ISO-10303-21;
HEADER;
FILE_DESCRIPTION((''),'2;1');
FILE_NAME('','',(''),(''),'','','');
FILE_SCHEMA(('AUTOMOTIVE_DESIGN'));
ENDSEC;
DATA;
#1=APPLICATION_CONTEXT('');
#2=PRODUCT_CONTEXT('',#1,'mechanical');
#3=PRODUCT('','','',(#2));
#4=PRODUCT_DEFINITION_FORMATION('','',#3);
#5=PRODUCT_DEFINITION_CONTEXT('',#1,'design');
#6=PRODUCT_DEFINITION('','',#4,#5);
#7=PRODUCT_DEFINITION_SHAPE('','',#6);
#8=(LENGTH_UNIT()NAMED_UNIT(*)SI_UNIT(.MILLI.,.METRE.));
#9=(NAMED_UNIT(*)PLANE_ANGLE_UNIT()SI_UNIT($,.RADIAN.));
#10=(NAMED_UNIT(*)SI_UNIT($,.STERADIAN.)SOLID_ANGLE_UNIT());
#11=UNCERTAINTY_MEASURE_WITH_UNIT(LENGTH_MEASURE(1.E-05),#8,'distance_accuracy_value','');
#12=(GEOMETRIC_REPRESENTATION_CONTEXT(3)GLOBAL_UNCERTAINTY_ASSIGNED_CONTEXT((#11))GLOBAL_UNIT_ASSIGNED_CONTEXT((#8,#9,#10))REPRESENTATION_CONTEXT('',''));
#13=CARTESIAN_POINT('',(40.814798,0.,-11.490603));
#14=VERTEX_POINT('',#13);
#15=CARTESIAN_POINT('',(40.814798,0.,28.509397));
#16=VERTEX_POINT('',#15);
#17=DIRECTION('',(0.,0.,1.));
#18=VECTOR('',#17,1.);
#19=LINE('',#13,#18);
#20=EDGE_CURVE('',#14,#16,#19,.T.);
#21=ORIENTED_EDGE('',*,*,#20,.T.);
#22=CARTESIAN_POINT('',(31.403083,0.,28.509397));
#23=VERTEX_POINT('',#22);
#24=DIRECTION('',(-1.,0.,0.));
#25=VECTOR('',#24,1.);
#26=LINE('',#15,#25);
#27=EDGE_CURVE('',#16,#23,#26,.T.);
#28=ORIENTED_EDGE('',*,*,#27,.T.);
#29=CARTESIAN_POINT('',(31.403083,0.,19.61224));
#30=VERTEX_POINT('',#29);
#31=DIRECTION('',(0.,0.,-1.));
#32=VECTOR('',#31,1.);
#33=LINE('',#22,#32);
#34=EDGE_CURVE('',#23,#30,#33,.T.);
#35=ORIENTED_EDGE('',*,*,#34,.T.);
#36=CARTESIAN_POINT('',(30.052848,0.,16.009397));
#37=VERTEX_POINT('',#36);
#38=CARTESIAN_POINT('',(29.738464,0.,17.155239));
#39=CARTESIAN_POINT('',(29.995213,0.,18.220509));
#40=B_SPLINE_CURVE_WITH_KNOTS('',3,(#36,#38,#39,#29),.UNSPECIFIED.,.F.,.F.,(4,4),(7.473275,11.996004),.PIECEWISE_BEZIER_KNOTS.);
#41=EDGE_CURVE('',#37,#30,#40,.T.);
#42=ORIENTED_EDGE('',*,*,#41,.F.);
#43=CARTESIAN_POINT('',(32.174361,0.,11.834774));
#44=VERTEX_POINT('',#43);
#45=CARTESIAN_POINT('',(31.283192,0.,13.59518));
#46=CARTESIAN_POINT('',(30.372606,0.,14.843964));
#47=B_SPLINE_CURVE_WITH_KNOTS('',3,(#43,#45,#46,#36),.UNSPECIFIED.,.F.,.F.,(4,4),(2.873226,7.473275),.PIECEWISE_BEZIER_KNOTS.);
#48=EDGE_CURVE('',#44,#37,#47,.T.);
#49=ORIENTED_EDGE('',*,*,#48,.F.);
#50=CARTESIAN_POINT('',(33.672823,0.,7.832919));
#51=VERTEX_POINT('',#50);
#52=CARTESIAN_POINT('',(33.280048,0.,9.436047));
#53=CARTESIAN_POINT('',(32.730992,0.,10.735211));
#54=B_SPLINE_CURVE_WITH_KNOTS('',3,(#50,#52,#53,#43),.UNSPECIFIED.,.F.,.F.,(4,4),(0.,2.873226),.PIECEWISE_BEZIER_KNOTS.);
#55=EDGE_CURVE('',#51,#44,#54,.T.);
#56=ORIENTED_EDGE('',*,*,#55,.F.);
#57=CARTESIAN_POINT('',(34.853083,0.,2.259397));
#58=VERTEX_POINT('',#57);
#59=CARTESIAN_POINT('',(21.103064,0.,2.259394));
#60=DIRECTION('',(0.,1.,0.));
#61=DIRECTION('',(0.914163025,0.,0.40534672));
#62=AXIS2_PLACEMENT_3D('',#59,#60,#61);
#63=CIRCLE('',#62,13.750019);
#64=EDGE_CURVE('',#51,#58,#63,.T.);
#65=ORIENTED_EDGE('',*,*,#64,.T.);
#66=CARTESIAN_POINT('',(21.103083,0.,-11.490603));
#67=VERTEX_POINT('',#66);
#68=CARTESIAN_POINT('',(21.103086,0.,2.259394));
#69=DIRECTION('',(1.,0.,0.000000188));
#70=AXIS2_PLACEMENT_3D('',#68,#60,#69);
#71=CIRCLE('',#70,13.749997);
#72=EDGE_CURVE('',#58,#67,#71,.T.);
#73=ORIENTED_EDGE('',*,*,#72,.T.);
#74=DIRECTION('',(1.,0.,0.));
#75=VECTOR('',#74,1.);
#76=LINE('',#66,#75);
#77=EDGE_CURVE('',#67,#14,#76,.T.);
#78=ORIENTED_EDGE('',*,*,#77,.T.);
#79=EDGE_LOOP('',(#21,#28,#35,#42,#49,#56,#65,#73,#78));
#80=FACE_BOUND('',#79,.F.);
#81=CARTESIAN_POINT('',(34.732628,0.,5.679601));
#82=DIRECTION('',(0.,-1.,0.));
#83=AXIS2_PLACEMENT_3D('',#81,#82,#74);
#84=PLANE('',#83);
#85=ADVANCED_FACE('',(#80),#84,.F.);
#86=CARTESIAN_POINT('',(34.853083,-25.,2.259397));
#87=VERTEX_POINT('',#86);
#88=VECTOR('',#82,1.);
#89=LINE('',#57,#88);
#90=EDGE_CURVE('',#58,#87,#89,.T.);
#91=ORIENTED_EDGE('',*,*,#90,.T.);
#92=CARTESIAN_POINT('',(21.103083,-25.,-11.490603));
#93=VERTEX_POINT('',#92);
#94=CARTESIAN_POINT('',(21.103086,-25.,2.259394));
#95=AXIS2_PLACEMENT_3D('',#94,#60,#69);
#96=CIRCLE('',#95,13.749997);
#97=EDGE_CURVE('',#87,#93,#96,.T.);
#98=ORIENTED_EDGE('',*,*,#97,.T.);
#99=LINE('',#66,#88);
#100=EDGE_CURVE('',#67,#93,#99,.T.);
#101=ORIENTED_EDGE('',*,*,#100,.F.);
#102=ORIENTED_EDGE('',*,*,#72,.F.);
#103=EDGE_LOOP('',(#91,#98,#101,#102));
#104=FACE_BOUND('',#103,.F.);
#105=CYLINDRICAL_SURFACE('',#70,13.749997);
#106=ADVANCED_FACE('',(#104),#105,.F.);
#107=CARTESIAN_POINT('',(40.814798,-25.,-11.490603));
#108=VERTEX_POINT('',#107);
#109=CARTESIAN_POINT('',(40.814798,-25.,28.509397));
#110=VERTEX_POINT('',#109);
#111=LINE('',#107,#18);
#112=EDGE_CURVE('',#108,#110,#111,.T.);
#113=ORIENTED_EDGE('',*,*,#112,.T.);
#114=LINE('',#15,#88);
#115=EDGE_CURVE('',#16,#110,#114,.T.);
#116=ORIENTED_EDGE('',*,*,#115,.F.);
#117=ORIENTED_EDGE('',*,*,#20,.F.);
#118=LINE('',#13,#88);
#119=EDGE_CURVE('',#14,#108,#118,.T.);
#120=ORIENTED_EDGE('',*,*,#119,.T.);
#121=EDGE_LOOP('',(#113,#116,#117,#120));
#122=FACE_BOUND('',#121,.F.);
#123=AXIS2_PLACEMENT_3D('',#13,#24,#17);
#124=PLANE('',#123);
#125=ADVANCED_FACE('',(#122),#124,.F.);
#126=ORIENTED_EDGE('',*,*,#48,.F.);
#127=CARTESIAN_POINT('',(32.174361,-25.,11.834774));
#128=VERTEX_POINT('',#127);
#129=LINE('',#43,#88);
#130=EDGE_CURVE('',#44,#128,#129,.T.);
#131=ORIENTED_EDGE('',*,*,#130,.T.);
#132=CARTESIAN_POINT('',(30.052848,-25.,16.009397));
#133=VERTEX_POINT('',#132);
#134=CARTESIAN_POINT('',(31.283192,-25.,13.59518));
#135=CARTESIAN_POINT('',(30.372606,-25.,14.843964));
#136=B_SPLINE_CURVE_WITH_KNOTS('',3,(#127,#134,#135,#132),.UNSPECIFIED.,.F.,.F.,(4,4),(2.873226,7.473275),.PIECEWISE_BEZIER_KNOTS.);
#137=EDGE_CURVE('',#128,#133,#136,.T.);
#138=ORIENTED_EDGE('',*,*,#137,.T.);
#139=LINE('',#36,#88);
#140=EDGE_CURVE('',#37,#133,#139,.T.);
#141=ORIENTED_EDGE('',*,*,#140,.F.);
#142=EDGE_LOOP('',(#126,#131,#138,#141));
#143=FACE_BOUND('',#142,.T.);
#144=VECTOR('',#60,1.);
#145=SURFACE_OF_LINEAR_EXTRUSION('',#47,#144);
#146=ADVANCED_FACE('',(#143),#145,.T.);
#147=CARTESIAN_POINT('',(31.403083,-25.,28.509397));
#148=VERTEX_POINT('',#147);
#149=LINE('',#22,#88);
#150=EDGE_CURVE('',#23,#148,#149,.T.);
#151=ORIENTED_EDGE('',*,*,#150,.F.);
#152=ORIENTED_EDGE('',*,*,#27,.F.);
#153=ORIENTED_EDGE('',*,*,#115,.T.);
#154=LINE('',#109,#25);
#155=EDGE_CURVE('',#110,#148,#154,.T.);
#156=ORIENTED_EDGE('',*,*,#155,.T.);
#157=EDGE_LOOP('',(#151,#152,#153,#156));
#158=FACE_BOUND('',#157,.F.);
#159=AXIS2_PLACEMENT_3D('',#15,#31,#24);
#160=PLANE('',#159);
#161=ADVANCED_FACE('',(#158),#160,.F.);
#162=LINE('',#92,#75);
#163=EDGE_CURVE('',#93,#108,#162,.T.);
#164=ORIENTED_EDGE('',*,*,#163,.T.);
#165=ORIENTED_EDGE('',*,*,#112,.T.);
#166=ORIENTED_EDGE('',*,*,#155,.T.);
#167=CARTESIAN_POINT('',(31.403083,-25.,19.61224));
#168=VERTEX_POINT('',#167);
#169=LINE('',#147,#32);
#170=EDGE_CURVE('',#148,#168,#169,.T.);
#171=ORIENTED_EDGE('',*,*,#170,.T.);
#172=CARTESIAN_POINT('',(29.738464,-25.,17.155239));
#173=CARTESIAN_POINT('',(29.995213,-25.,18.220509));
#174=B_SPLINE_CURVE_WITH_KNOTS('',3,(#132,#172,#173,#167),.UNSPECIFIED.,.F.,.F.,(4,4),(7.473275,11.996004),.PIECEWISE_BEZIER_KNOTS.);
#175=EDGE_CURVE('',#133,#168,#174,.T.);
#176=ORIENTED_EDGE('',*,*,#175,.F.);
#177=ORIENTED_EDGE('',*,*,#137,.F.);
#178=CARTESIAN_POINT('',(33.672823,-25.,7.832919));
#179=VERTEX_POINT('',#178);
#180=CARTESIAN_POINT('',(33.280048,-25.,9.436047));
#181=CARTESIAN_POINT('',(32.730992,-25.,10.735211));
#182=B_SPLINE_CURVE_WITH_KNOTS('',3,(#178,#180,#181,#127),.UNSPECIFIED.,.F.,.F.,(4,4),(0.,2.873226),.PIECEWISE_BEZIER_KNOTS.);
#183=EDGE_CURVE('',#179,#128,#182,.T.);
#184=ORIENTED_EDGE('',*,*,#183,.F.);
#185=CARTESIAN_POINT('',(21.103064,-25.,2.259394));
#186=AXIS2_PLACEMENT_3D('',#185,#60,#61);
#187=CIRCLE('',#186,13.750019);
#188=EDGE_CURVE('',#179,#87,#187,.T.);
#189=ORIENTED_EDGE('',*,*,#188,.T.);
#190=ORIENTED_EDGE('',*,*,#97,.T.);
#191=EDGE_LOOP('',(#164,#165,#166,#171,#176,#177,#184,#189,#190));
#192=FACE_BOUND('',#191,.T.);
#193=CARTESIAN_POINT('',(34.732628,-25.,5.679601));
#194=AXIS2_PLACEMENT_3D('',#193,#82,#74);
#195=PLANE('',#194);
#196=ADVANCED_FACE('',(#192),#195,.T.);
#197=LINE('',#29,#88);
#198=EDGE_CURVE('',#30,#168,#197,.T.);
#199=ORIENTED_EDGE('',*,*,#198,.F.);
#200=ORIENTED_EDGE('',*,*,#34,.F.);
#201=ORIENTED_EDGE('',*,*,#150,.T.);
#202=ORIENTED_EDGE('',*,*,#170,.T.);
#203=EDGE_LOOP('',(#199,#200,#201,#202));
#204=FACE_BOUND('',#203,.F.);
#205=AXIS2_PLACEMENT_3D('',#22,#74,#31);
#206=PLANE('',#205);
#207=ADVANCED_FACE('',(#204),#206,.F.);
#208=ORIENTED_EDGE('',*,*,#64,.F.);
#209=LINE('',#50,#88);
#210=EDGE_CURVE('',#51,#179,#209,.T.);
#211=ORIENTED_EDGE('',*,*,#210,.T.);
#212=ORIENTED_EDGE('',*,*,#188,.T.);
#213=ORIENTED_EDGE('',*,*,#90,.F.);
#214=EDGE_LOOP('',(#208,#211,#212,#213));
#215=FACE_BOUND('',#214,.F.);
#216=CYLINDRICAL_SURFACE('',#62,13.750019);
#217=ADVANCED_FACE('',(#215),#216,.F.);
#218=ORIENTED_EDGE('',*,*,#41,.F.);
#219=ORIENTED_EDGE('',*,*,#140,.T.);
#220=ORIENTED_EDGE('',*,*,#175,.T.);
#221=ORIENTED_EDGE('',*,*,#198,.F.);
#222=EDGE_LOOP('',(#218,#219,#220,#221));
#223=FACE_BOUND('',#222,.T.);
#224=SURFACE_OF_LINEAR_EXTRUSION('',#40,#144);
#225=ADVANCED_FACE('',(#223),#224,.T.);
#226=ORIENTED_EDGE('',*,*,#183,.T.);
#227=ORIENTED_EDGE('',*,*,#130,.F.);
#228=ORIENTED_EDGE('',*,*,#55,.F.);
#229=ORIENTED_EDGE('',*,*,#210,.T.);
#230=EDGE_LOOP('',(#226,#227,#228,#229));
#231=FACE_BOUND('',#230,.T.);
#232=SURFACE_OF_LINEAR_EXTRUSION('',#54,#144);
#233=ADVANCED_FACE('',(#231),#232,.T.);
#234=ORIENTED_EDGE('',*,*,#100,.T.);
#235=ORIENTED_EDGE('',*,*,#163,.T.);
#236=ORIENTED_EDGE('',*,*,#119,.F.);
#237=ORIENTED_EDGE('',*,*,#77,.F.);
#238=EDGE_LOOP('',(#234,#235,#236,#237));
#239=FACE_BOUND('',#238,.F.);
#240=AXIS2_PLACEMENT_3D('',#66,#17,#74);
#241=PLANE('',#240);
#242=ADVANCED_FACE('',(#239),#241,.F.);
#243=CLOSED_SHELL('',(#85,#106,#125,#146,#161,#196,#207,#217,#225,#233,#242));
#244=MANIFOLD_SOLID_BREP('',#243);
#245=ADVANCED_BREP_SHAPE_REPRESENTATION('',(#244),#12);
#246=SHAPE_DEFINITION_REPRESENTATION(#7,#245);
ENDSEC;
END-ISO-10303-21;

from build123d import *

# Parameters (mm, degrees)
F1_DEPTH = 25


with BuildPart() as f1:
    # F0 (on Front) → F1 (new body)
    with BuildSketch(Plane.XZ):
        with BuildLine():
            ThreePointArc((34.853083, 2.259397), (30.825802, -7.463322), (21.103083, -11.490603))
            Line((21.103083, -11.490603), (40.814798, -11.490603))
            Line((40.814798, -11.490603), (40.814798, 28.509397))
            Line((40.814798, 28.509397), (31.403083, 28.509397))
            Line((31.403083, 28.509397), (31.403083, 19.61224))
            add(Edge.make_bspline(
                [(30.052848, 16.009397), (29.738464, 17.155239), (29.995213, 18.220509), (31.403083, 19.61224)],
                knots=[7.473275, 7.473275, 7.473275, 7.473275, 11.996004, 11.996004, 11.996004, 11.996004], degree=3))
            add(Edge.make_bspline(
                [(32.174361, 11.834774), (31.283192, 13.59518), (30.372606, 14.843964), (30.052848, 16.009397)],
                knots=[2.873226, 2.873226, 2.873226, 2.873226, 7.473275, 7.473275, 7.473275, 7.473275], degree=3))
            add(Edge.make_bspline(
                [(33.672823, 7.832919), (33.280048, 9.436047), (32.730992, 10.735211), (32.174361, 11.834774)],
                knots=[0, 0, 0, 0, 2.873226, 2.873226, 2.873226, 2.873226], degree=3))
            ThreePointArc((33.672823, 7.832919), (34.554782, 5.107956), (34.853083, 2.259397))
        make_face()
    extrude(amount=F1_DEPTH)


solid = f1.part
